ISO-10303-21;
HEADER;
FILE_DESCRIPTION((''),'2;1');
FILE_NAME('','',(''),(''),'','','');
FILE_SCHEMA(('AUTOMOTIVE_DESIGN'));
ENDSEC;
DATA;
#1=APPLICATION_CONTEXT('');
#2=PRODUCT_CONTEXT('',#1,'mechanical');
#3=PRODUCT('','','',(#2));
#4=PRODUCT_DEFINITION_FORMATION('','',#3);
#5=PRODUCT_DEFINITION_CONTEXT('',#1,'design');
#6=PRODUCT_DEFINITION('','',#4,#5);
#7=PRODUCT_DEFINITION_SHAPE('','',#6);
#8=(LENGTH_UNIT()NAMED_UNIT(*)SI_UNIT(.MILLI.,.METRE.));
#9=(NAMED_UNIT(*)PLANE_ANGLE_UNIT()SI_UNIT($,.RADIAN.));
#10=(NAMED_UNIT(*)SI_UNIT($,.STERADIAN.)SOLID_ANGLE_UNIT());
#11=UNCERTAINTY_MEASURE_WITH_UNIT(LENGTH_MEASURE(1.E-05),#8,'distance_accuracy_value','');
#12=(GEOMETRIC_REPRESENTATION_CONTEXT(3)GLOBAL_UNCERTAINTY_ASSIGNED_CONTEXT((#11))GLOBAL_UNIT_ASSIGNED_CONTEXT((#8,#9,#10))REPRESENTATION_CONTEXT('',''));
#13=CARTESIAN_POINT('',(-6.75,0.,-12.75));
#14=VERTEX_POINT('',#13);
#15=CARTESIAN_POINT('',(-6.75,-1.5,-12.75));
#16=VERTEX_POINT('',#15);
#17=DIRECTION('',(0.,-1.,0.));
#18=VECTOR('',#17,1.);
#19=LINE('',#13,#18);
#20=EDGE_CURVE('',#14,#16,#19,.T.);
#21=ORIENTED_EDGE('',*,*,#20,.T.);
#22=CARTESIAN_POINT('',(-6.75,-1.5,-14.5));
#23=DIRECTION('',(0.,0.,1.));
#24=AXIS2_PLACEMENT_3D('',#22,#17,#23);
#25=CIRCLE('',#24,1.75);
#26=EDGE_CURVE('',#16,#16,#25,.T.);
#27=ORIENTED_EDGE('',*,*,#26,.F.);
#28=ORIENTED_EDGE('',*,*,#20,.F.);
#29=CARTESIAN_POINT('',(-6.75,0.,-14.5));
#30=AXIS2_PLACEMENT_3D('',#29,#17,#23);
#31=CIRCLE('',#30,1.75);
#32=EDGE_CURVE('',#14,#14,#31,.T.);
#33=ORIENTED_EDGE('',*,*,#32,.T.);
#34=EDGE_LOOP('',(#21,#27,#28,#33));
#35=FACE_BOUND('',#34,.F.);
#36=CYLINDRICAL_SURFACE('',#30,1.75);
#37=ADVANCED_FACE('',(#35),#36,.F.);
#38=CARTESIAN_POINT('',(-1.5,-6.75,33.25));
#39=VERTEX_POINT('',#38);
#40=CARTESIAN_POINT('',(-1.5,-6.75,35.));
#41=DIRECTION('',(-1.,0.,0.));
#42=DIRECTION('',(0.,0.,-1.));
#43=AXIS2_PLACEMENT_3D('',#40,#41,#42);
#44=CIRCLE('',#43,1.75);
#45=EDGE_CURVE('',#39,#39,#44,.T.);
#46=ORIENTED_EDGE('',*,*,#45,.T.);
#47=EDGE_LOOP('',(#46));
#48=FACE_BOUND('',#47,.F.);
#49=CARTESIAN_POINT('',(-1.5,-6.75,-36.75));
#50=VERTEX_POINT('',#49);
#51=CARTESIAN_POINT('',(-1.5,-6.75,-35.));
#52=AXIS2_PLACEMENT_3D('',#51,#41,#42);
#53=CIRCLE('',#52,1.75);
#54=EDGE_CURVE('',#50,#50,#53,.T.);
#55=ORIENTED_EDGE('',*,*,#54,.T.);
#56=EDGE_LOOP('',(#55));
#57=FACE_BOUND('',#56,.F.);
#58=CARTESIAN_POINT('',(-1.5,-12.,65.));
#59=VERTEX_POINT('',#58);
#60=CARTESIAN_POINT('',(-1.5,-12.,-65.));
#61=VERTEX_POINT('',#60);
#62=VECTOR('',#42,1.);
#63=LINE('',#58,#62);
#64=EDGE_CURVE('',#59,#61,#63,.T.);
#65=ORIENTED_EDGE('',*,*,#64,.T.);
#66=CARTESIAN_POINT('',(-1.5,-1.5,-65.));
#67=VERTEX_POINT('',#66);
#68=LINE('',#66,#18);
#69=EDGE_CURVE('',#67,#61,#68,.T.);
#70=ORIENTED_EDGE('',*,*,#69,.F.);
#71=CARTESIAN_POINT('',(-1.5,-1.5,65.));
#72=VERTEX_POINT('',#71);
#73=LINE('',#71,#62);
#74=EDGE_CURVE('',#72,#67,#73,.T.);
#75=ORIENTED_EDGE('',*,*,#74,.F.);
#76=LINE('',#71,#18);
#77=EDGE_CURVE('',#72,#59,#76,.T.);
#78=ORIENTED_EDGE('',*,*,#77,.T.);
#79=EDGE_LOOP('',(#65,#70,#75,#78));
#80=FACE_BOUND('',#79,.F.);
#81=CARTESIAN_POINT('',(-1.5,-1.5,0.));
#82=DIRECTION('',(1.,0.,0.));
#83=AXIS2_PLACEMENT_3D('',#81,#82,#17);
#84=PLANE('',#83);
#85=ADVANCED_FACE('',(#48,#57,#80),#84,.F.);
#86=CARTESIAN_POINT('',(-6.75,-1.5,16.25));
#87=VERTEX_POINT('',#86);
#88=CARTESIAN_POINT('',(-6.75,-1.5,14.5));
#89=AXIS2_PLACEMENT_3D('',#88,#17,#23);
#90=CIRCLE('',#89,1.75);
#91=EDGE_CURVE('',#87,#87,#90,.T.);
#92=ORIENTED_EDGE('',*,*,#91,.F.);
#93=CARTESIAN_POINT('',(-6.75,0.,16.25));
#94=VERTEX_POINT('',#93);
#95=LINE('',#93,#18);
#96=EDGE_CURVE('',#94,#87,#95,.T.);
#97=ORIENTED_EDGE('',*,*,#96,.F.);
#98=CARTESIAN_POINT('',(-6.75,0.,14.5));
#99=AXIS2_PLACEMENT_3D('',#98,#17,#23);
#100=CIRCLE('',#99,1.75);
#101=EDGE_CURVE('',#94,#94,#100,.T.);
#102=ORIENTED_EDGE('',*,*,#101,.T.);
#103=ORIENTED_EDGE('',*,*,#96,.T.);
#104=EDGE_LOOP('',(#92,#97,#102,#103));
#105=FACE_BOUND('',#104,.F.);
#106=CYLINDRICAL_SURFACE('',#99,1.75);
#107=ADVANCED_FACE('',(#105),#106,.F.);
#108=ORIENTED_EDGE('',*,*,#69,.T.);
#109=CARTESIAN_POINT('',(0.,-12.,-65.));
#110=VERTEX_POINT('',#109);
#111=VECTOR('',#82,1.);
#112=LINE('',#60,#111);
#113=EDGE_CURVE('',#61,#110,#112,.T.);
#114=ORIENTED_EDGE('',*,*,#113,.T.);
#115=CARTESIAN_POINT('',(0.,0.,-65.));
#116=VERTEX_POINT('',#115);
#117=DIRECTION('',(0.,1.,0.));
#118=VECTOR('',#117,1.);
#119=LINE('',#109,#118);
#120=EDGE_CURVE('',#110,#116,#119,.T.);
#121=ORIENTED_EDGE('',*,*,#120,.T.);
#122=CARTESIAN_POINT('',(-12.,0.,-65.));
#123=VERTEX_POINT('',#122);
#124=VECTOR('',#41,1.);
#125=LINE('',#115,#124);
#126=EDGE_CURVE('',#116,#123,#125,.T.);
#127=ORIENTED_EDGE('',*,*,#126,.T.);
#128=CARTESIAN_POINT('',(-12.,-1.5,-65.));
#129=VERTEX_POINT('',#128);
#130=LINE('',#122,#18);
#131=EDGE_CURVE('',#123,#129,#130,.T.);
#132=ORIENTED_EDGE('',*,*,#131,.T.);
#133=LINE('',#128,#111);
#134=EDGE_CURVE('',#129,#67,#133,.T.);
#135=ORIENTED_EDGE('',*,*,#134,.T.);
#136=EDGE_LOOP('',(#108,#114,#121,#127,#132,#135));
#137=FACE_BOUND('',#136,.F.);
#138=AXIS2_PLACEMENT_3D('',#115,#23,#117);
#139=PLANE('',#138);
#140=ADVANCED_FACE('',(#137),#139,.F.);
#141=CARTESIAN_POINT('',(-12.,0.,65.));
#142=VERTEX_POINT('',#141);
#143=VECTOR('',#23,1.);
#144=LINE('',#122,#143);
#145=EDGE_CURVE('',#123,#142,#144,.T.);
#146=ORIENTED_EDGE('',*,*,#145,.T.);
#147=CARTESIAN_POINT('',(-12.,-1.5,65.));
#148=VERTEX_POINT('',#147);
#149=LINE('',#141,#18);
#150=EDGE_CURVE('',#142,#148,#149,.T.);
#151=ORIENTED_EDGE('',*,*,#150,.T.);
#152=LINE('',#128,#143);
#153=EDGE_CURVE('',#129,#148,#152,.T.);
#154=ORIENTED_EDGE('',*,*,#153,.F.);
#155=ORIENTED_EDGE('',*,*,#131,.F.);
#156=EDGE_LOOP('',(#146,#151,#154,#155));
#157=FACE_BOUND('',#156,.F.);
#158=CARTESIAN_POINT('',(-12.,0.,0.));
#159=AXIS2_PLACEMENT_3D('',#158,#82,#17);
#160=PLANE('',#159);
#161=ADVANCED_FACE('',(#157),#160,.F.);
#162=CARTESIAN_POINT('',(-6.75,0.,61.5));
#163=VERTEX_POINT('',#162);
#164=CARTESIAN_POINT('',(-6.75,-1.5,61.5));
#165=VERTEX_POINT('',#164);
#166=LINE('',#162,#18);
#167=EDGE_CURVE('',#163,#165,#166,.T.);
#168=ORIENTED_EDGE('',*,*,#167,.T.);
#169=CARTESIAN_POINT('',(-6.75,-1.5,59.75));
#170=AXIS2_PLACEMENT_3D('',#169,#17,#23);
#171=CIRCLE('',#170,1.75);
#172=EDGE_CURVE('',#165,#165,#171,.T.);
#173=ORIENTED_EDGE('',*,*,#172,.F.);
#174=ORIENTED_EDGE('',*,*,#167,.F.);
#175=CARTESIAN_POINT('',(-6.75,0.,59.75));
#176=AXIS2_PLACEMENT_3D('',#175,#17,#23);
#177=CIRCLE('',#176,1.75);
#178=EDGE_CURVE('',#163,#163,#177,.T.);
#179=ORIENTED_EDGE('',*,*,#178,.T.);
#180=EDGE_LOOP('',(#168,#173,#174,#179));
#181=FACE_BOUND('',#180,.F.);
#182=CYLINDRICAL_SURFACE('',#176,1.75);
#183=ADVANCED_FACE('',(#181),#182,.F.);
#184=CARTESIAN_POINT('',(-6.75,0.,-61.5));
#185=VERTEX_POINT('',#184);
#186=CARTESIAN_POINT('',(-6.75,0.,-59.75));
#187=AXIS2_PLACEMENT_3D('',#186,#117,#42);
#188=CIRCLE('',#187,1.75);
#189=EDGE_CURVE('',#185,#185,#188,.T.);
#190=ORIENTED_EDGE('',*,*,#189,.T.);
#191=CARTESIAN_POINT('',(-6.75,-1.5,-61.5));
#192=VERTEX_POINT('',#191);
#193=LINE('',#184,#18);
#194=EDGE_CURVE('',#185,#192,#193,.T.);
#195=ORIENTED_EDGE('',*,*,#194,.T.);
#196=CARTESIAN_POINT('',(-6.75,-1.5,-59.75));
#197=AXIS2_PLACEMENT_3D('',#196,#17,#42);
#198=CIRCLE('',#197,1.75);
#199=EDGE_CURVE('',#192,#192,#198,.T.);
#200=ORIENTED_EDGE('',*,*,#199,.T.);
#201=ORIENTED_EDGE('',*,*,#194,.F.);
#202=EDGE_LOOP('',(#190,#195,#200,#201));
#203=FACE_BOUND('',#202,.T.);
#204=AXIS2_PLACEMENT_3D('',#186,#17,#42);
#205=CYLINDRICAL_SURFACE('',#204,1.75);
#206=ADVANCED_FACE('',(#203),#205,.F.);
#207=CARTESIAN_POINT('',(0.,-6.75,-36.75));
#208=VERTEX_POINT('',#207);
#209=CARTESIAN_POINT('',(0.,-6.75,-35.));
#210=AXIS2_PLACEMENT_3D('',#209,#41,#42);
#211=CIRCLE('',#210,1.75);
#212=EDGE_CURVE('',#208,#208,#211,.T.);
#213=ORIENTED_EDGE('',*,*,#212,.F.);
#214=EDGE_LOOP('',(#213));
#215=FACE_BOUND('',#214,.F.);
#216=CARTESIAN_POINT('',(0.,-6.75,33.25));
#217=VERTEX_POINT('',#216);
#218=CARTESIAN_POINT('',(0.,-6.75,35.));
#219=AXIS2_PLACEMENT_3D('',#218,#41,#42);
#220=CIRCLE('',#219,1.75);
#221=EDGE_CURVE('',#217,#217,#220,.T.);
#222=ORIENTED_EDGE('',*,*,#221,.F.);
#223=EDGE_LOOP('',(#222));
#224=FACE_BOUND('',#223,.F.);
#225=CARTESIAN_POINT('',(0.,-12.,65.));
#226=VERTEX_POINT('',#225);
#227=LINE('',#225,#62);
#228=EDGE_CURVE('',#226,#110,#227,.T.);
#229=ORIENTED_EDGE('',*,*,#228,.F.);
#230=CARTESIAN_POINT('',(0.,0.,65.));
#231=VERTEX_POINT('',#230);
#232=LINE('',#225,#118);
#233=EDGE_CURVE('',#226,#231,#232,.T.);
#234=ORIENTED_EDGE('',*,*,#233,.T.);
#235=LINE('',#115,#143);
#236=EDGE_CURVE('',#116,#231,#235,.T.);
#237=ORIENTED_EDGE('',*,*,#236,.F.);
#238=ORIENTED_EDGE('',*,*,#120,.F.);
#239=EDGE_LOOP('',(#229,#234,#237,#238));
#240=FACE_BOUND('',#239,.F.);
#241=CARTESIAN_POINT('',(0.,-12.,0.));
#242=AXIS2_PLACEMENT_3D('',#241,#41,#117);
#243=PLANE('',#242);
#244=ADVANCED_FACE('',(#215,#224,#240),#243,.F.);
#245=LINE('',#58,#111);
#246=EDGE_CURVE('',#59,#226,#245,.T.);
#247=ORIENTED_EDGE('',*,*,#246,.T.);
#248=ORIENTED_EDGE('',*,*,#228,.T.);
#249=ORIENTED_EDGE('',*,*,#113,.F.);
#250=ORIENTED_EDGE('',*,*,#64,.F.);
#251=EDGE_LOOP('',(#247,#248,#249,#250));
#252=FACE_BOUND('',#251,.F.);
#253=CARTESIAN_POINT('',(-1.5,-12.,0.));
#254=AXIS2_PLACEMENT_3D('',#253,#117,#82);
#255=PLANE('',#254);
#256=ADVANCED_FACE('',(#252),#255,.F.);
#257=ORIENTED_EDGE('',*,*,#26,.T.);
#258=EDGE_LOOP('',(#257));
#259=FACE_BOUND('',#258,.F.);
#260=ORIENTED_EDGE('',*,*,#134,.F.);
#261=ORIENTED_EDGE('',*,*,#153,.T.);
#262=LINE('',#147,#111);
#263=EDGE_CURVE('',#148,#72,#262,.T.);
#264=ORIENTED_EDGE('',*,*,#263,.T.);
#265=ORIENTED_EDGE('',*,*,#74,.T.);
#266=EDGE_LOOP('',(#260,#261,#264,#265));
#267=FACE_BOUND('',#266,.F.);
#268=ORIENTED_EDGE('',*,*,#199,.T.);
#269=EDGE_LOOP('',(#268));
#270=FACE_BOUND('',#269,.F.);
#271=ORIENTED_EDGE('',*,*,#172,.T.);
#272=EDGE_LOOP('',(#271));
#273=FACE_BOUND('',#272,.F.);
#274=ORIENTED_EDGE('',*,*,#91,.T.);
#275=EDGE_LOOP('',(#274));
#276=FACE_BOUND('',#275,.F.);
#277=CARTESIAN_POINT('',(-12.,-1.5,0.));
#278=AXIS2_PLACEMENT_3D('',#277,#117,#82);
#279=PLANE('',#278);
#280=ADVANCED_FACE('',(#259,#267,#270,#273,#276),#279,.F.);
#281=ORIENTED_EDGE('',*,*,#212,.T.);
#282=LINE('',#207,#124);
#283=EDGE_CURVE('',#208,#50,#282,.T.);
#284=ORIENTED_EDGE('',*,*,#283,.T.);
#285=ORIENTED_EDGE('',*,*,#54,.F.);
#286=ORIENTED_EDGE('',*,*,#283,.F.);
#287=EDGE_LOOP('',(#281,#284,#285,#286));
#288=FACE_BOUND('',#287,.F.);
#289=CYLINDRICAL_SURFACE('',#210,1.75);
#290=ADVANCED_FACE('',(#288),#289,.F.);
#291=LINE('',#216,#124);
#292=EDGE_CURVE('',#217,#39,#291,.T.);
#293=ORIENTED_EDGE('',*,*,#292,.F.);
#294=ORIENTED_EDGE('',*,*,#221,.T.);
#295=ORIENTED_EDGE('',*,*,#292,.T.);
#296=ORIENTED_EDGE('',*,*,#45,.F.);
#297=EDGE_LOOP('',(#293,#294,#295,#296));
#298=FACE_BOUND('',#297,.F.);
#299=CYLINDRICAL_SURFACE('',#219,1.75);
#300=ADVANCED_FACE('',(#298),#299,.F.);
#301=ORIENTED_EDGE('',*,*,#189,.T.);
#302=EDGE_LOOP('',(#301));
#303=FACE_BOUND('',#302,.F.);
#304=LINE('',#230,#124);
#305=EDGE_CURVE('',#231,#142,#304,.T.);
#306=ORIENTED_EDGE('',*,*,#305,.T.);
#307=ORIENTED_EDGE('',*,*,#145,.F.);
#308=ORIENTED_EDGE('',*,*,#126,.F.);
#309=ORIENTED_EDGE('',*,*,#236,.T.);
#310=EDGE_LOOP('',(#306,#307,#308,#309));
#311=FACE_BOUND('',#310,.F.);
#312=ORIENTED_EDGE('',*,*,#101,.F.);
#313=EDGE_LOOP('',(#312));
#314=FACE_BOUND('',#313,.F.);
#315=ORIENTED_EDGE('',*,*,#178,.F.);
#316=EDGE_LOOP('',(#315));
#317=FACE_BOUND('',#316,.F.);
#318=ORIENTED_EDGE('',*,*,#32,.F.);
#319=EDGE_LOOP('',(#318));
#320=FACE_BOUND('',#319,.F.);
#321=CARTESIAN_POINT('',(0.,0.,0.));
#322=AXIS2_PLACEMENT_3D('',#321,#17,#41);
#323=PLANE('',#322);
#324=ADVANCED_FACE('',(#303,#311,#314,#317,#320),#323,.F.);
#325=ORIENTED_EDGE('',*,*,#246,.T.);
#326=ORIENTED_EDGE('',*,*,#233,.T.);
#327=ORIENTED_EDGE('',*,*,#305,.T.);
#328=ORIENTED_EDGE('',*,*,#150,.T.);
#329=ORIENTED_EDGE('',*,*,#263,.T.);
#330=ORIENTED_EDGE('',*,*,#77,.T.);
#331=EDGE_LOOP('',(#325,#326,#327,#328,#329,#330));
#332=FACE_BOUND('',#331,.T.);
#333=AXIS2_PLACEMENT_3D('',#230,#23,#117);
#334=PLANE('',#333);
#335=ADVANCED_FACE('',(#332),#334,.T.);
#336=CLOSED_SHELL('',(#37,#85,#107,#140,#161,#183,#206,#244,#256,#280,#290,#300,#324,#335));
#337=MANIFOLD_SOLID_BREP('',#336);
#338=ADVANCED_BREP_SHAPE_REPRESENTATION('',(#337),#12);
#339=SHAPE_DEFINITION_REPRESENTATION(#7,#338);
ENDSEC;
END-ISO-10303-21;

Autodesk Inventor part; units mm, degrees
ref_plane "YZ Plane" through (0, 0, 0) normal (1, 0, 0) x (0, 1, 0)
ref_plane "XZ Plane" through (0, 0, 0) normal (0, 1, 0) x (-1, 0, 0)
ref_plane "XY Plane" through (0, 0, 0) normal (0, 0, 1) x (1, 0, 0)
sketch "Szkic1" plane through (0, 0, 0) normal (0, 0, 1) x (1, 0, 0)
  line L0 (0, 0) -> (0, 12)
  line L1 (0, 12) -> (-1.5, 12)
  line L2 (-1.5, 12) -> (-1.5, 1.5)
  line L3 (-1.5, 1.5) -> (-12, 1.5)
  line L4 (-12, 1.5) -> (-12, 0)
  line L5 (-12, 0) -> (0, 0)
  dimension "d0" = 12
  dimension "d1" = 1.5
  dimension "d2" = 10.5
  dimension "d3" = 10.5
extrude "Wyciągnięcie proste1" add sketch "Szkic1" along normal mid plane 130
move or copy body "Przesuń bryłę1" bodies to move or copy 1 copy no rotation origin (0, 0, 0) rotation axis (0, 0, 1) rotation angle 90
sketch "Szkic2" plane through (-12, 0, 65) normal (0, 1, 0) x (1, 0, 0)
  line L0 (12, 0) -> (0, 0) projected
  line L1 (12, 0) -> (12, 130) projected
  line L2 (0, 130) -> (0, 0) construction
  line L3 (0, 65) -> (5.25, 65) construction
  line L4 (5.25, 79.5) -> (5.25, 50.5) construction
  point P0 (12, 65)
  dimension "d16" = 5.25
  dimension "d17" = 29
hole "Otwór1" at (-6.75, 0, -14.5) at (-6.75, 0, 14.5) direction (0, -1, 0) diameter 3.5 end through all
sketch "Szkic3" plane through (-12, 0, 65) normal (0, 1, 0) x (1, 0, 0)
  line L0 (0, 130) -> (0, 0) construction
  line L1 (12, 0) -> (0, 0) construction
  point P0 (12, 65)
  point P1 (5.25, 5.25)
  dimension "d19" = 5.25
  dimension "d20" = 5.25
hole "Otwór2" at (-6.75, 0, 59.75) direction (0, -1, 0) diameter 3.5 end through all
mirror "Odbij1" about plane through (0, 0, 0) normal (0, 0, 1) of "Otwór2"
sketch "Szkic5" plane through (0, -12, 65) normal (1, 0, 0) x (0, 0, -1)
  line L0 (130, 0) -> (0, 0) construction
  line L1 (65, 0) -> (65, 5.25) construction
  line L2 (30, 5.25) -> (100, 5.25) construction
  point P0 (65, 12)
  dimension "d37" = 5.25
  dimension "d38" = 70
hole "Otwór4" at (0, -6.75, 35) at (0, -6.75, -35) direction (-1, 0, 0) diameter 3.5 end through all
properties part number "bepf_platforma_rama_bok_krotki" material "Aluminium 6061"
